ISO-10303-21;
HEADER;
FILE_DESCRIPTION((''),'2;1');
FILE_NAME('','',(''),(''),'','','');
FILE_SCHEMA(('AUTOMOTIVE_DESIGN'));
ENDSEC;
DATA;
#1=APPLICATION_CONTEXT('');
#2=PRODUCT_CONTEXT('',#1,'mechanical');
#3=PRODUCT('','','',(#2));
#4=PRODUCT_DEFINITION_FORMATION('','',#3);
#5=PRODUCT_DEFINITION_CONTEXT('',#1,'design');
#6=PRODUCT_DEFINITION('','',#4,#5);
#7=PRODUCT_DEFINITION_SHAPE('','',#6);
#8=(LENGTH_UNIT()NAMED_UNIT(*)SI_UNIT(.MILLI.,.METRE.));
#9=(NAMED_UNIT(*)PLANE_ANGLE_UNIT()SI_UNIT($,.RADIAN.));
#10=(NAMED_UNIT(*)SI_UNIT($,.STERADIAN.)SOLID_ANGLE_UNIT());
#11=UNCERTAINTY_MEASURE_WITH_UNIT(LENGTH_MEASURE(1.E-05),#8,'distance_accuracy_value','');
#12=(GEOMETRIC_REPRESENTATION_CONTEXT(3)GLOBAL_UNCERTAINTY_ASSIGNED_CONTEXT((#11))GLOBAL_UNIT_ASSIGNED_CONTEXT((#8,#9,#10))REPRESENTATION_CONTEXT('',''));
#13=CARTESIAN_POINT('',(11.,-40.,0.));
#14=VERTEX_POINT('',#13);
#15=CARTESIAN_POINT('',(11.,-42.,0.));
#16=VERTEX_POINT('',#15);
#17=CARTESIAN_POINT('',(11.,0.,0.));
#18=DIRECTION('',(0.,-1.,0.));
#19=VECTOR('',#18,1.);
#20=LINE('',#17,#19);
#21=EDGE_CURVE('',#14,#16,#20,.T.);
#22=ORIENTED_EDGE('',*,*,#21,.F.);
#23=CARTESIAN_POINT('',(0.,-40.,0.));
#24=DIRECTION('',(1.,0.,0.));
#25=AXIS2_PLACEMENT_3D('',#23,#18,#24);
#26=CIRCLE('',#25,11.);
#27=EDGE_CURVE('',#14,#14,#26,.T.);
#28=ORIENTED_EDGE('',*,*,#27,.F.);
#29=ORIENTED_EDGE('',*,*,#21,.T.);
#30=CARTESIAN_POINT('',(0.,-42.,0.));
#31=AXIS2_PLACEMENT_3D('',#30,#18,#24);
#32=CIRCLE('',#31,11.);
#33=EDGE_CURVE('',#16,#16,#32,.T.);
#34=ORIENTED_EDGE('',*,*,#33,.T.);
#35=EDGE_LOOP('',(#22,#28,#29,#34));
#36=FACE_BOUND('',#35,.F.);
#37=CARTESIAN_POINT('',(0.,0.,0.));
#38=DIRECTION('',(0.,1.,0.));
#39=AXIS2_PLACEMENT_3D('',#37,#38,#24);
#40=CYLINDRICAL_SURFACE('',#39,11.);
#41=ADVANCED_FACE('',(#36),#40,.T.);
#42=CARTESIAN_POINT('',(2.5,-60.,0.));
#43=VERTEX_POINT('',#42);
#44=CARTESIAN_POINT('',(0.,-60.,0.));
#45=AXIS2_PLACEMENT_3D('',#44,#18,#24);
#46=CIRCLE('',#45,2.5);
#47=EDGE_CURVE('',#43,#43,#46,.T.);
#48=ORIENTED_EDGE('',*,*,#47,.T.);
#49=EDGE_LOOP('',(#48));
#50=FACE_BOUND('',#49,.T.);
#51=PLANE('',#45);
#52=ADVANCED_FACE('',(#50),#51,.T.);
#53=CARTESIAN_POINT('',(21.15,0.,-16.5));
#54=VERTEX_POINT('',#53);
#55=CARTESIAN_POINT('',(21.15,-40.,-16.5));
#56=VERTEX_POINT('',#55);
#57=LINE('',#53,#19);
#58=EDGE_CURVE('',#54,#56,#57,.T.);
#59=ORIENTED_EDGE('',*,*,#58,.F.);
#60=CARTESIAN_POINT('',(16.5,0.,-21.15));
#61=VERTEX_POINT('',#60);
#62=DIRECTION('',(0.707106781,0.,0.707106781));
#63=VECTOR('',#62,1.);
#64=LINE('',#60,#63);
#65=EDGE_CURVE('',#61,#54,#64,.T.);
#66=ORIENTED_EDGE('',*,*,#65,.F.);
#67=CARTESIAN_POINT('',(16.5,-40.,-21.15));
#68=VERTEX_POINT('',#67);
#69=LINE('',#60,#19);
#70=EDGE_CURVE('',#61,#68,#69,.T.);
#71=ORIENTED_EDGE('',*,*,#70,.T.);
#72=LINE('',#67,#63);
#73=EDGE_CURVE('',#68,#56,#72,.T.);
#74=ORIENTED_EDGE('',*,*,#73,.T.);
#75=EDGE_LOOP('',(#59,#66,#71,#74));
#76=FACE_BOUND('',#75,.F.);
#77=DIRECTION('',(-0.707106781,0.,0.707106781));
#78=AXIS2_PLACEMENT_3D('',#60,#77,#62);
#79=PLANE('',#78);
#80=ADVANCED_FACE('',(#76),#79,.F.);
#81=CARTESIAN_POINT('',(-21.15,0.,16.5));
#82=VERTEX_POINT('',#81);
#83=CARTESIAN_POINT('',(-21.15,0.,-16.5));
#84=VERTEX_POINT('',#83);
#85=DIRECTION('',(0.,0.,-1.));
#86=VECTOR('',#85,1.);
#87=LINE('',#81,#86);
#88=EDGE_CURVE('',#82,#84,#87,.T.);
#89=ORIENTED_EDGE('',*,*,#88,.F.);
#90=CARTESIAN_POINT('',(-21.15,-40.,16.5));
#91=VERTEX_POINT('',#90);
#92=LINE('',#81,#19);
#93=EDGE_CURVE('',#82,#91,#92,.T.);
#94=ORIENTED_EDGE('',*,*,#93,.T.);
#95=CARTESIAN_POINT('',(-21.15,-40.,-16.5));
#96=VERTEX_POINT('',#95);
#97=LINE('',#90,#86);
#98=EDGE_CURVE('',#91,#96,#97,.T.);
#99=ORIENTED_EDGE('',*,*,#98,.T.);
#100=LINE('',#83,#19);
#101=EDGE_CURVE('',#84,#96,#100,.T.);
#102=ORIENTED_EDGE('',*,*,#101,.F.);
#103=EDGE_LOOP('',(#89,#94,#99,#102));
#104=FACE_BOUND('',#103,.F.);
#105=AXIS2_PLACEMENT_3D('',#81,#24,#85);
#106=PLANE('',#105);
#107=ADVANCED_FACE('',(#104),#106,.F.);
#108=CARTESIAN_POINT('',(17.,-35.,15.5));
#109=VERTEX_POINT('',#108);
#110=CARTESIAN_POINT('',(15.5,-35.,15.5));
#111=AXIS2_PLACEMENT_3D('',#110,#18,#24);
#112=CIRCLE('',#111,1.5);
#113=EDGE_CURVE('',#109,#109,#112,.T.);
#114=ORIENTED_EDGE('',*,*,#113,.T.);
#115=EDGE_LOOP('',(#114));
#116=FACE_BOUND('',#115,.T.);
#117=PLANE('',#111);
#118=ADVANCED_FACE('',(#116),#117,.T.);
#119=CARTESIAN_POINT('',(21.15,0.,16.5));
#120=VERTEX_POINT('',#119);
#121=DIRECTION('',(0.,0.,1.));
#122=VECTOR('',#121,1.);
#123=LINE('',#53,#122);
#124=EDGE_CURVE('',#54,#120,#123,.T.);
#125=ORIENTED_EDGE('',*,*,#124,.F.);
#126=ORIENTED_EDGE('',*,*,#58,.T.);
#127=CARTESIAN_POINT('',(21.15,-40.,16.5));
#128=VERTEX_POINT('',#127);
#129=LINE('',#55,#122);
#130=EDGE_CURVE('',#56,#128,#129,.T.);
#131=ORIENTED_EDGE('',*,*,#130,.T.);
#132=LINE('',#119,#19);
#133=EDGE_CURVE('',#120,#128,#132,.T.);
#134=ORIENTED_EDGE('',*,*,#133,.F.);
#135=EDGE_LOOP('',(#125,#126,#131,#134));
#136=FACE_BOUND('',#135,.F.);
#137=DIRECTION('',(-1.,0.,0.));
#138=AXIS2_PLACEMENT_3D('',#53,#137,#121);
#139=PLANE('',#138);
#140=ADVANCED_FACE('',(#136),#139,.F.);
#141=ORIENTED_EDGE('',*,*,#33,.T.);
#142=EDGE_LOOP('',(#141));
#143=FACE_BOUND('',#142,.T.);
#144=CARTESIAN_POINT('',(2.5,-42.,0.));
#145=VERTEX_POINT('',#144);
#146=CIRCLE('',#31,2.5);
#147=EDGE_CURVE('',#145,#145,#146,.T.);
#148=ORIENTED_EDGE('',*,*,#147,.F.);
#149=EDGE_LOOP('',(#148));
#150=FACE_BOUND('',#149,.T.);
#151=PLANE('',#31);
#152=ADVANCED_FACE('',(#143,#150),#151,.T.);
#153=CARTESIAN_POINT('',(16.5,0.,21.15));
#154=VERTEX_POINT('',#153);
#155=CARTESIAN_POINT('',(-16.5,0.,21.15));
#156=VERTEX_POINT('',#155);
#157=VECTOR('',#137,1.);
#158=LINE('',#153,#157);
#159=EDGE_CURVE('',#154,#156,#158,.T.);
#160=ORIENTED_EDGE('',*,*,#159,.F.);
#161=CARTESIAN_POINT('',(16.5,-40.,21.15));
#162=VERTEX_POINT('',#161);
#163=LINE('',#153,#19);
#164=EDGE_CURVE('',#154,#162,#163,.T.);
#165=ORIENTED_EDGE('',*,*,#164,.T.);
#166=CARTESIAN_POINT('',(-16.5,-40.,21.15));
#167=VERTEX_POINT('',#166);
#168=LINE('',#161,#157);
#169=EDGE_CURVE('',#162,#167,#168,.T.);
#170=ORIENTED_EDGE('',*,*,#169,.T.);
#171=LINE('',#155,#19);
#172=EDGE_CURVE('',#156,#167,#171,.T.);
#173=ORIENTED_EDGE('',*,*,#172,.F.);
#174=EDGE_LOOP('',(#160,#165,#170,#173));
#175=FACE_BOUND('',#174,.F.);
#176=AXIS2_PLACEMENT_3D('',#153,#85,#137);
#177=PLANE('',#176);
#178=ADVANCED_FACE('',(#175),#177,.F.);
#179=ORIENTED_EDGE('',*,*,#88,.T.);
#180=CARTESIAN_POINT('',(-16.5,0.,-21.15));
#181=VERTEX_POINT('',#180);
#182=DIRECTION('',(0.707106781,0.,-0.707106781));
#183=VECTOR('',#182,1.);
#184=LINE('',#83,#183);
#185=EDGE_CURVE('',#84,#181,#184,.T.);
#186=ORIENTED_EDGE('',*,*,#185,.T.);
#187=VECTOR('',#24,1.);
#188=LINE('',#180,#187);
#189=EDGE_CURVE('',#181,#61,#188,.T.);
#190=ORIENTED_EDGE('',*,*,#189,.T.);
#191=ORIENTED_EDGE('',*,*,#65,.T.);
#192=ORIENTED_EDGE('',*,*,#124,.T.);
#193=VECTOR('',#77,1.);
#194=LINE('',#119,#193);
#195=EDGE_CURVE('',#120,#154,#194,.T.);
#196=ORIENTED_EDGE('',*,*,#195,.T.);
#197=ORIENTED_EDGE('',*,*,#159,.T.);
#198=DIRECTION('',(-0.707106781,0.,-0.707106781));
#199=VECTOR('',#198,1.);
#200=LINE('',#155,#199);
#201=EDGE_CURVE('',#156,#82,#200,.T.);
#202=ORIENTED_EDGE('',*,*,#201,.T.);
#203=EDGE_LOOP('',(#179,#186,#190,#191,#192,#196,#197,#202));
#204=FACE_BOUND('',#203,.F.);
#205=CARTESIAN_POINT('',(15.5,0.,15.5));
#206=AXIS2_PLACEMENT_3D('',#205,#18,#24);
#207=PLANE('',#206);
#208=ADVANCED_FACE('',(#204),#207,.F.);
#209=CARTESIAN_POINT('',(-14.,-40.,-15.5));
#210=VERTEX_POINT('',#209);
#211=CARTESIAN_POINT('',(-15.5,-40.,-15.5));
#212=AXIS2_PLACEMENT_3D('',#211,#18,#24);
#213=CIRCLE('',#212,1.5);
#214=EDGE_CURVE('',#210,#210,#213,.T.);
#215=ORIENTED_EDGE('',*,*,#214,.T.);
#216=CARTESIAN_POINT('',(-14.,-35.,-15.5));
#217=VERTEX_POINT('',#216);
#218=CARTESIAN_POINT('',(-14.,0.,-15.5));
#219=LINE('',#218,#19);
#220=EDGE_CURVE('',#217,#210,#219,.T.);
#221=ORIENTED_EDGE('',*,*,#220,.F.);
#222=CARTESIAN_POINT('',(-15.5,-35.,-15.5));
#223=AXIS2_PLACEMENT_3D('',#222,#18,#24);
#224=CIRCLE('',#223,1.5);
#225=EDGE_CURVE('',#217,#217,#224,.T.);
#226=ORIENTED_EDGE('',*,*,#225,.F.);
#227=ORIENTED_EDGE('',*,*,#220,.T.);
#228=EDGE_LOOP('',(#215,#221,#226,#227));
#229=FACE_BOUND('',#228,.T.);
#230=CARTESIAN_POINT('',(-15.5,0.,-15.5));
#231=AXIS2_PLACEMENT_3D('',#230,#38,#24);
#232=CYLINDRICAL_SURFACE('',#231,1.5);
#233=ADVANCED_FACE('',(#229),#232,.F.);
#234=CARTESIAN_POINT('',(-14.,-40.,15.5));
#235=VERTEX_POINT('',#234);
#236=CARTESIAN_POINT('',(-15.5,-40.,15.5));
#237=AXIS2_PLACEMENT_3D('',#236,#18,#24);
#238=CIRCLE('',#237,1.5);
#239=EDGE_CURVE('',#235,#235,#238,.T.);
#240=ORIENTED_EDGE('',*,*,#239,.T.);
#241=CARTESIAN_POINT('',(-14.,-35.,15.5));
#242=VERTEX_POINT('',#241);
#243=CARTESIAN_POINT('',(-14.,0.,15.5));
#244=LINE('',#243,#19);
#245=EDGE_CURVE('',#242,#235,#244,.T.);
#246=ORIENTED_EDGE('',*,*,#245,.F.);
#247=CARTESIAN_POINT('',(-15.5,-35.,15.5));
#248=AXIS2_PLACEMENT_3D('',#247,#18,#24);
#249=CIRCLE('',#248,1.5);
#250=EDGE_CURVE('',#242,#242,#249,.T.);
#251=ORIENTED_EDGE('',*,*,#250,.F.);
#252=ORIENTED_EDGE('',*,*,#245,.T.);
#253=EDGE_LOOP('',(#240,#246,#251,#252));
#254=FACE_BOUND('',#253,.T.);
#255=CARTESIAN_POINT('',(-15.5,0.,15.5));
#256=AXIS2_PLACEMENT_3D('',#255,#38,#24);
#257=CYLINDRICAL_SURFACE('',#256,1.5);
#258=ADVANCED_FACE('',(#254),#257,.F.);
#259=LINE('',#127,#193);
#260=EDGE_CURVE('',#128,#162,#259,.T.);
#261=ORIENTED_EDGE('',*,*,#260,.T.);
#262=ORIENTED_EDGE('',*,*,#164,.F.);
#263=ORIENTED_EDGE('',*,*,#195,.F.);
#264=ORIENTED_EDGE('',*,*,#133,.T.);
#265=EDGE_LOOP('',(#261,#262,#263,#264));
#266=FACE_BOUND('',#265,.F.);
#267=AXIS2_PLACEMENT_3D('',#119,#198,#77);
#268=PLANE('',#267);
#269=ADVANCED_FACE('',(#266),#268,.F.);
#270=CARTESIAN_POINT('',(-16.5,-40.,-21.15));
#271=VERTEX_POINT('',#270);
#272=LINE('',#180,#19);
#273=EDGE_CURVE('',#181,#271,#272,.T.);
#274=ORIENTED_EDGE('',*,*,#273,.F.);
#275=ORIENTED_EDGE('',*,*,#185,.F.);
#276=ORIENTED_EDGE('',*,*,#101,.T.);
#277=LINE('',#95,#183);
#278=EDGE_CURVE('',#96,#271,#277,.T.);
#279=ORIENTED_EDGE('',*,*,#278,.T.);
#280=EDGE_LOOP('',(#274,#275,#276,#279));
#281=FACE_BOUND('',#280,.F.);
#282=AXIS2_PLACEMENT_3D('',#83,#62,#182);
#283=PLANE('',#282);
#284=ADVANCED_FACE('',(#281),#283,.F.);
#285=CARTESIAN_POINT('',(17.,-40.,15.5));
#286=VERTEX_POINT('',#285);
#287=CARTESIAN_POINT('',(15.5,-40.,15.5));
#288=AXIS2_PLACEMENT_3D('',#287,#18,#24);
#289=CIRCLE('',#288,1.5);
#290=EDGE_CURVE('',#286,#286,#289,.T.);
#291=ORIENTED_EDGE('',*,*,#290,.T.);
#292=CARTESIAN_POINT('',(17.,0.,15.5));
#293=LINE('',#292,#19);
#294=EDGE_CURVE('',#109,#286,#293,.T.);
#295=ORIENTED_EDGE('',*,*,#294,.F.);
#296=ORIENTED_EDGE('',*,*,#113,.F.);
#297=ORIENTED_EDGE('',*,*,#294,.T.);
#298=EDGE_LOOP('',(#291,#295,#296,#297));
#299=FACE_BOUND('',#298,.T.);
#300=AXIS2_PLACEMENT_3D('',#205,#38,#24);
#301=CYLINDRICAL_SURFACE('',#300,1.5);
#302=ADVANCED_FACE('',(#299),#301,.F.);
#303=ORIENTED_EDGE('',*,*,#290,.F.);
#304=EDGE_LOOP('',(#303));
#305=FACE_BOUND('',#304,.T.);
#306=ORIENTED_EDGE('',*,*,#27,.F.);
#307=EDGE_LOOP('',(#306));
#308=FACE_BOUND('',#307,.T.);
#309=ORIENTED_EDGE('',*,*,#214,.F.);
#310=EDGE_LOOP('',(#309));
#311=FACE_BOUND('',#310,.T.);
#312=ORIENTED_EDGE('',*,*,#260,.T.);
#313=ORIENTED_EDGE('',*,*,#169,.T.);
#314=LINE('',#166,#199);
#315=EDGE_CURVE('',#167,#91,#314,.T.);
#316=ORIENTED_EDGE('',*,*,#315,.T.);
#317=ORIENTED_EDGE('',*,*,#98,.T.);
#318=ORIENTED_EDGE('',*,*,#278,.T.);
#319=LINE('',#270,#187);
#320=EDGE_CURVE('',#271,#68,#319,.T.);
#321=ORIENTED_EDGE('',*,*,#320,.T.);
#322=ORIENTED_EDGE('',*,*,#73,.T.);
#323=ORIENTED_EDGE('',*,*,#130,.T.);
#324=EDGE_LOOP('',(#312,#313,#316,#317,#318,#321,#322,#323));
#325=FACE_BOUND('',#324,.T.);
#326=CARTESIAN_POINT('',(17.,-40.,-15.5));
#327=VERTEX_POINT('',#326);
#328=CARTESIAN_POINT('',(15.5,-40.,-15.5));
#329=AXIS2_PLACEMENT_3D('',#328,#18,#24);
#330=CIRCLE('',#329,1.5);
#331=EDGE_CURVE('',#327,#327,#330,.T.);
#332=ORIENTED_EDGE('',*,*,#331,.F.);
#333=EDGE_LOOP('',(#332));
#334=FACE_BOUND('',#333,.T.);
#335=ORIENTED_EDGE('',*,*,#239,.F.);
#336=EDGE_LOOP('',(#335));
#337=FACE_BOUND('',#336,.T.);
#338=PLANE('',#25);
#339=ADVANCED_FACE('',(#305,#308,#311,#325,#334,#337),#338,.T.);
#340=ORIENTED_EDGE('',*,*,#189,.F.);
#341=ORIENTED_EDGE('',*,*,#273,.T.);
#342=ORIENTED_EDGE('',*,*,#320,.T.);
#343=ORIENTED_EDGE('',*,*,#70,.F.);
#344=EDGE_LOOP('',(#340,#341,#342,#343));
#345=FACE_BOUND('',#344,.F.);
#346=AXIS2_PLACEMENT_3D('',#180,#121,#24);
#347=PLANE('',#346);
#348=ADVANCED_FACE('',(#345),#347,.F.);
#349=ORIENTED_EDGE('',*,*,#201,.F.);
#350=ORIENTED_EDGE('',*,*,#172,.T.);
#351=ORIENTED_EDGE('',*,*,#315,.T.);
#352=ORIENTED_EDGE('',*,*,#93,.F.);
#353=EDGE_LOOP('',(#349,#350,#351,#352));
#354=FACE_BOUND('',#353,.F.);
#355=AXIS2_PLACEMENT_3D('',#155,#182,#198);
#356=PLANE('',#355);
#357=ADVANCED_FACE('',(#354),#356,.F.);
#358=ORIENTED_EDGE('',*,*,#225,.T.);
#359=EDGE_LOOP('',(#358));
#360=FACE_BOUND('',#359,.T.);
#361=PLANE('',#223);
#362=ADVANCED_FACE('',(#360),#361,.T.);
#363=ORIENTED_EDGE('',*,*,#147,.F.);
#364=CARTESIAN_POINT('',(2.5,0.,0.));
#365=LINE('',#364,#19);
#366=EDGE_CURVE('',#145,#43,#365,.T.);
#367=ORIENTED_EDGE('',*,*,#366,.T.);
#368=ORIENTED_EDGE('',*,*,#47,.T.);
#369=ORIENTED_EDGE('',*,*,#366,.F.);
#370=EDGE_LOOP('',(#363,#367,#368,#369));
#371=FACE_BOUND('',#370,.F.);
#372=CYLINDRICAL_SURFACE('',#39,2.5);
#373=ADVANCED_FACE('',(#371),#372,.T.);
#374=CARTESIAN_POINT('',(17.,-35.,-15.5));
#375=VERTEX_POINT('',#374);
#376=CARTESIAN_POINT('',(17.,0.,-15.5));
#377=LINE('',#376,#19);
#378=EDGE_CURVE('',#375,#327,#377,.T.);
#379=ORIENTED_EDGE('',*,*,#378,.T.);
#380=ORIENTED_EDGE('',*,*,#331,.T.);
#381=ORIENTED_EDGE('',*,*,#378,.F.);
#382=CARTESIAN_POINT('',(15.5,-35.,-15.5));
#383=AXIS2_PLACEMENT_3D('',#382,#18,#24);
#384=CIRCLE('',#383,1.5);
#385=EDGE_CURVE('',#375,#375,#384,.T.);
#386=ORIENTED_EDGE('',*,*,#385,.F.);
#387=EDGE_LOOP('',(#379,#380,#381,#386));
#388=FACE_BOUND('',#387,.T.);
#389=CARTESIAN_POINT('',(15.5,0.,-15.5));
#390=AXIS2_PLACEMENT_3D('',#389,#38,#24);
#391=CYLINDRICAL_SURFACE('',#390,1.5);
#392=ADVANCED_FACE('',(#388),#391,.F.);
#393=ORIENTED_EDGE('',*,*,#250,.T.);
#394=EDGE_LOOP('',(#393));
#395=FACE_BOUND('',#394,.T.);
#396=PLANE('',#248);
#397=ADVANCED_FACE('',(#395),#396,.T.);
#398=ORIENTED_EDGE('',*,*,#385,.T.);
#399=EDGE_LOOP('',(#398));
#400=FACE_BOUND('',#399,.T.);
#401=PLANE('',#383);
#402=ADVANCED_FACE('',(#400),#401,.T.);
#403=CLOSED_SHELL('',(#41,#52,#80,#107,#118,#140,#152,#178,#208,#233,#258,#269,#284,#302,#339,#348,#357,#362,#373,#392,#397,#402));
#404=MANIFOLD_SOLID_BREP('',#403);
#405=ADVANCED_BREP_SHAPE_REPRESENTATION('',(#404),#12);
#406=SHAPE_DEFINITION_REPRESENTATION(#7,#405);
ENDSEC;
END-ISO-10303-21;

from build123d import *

# Parameters (mm, degrees)
F0_R     = 1.5
F0_R_2   = 11
F1_DEPTH = 40
F0_R_3   = 2.5
F2_DEPTH = 42
F3_DEPTH = 60
F4_DEPTH = 35


with BuildPart() as f1:
    # F0 (on Front) → F1 (new body)
    with BuildSketch(Plane.XZ):
        Polygon((-16.5, -21.15), (16.5, -21.15), (21.15, -16.5), (21.15, 16.5), (16.5, 21.15), (-16.5, 21.15), (-21.15, 16.5), (-21.15, -16.5), align=None)
        with Locations((-15.5, -15.5)):
            Circle(F0_R, mode=Mode.SUBTRACT)
        with Locations((15.5, -15.5)):
            Circle(F0_R, mode=Mode.SUBTRACT)
        with Locations((-15.5, 15.5)):
            Circle(F0_R, mode=Mode.SUBTRACT)
        Circle(F0_R_2, mode=Mode.SUBTRACT)
        with Locations((15.5, 15.5)):
            Circle(F0_R, mode=Mode.SUBTRACT)
    extrude(amount=F1_DEPTH)

    # F0 (on Front) → F2 (join)
    with BuildSketch(Plane.XZ):
        Circle(F0_R_2)
        Circle(F0_R_3, mode=Mode.SUBTRACT)
    extrude(amount=F2_DEPTH)

    # F0 (on Front) → F3 (join)
    with BuildSketch(Plane.XZ):
        Circle(F0_R_3)
    extrude(amount=F3_DEPTH)

    # F0 (on Front) → F4 (join)
    with BuildSketch(Plane.XZ):
        with Locations((15.5, 15.5)):
            Circle(F0_R)
        with Locations((-15.5, 15.5)):
            Circle(F0_R)
        with Locations((-15.5, -15.5)):
            Circle(F0_R)
        with Locations((15.5, -15.5)):
            Circle(F0_R)
    extrude(amount=F4_DEPTH)


solid = f1.part
